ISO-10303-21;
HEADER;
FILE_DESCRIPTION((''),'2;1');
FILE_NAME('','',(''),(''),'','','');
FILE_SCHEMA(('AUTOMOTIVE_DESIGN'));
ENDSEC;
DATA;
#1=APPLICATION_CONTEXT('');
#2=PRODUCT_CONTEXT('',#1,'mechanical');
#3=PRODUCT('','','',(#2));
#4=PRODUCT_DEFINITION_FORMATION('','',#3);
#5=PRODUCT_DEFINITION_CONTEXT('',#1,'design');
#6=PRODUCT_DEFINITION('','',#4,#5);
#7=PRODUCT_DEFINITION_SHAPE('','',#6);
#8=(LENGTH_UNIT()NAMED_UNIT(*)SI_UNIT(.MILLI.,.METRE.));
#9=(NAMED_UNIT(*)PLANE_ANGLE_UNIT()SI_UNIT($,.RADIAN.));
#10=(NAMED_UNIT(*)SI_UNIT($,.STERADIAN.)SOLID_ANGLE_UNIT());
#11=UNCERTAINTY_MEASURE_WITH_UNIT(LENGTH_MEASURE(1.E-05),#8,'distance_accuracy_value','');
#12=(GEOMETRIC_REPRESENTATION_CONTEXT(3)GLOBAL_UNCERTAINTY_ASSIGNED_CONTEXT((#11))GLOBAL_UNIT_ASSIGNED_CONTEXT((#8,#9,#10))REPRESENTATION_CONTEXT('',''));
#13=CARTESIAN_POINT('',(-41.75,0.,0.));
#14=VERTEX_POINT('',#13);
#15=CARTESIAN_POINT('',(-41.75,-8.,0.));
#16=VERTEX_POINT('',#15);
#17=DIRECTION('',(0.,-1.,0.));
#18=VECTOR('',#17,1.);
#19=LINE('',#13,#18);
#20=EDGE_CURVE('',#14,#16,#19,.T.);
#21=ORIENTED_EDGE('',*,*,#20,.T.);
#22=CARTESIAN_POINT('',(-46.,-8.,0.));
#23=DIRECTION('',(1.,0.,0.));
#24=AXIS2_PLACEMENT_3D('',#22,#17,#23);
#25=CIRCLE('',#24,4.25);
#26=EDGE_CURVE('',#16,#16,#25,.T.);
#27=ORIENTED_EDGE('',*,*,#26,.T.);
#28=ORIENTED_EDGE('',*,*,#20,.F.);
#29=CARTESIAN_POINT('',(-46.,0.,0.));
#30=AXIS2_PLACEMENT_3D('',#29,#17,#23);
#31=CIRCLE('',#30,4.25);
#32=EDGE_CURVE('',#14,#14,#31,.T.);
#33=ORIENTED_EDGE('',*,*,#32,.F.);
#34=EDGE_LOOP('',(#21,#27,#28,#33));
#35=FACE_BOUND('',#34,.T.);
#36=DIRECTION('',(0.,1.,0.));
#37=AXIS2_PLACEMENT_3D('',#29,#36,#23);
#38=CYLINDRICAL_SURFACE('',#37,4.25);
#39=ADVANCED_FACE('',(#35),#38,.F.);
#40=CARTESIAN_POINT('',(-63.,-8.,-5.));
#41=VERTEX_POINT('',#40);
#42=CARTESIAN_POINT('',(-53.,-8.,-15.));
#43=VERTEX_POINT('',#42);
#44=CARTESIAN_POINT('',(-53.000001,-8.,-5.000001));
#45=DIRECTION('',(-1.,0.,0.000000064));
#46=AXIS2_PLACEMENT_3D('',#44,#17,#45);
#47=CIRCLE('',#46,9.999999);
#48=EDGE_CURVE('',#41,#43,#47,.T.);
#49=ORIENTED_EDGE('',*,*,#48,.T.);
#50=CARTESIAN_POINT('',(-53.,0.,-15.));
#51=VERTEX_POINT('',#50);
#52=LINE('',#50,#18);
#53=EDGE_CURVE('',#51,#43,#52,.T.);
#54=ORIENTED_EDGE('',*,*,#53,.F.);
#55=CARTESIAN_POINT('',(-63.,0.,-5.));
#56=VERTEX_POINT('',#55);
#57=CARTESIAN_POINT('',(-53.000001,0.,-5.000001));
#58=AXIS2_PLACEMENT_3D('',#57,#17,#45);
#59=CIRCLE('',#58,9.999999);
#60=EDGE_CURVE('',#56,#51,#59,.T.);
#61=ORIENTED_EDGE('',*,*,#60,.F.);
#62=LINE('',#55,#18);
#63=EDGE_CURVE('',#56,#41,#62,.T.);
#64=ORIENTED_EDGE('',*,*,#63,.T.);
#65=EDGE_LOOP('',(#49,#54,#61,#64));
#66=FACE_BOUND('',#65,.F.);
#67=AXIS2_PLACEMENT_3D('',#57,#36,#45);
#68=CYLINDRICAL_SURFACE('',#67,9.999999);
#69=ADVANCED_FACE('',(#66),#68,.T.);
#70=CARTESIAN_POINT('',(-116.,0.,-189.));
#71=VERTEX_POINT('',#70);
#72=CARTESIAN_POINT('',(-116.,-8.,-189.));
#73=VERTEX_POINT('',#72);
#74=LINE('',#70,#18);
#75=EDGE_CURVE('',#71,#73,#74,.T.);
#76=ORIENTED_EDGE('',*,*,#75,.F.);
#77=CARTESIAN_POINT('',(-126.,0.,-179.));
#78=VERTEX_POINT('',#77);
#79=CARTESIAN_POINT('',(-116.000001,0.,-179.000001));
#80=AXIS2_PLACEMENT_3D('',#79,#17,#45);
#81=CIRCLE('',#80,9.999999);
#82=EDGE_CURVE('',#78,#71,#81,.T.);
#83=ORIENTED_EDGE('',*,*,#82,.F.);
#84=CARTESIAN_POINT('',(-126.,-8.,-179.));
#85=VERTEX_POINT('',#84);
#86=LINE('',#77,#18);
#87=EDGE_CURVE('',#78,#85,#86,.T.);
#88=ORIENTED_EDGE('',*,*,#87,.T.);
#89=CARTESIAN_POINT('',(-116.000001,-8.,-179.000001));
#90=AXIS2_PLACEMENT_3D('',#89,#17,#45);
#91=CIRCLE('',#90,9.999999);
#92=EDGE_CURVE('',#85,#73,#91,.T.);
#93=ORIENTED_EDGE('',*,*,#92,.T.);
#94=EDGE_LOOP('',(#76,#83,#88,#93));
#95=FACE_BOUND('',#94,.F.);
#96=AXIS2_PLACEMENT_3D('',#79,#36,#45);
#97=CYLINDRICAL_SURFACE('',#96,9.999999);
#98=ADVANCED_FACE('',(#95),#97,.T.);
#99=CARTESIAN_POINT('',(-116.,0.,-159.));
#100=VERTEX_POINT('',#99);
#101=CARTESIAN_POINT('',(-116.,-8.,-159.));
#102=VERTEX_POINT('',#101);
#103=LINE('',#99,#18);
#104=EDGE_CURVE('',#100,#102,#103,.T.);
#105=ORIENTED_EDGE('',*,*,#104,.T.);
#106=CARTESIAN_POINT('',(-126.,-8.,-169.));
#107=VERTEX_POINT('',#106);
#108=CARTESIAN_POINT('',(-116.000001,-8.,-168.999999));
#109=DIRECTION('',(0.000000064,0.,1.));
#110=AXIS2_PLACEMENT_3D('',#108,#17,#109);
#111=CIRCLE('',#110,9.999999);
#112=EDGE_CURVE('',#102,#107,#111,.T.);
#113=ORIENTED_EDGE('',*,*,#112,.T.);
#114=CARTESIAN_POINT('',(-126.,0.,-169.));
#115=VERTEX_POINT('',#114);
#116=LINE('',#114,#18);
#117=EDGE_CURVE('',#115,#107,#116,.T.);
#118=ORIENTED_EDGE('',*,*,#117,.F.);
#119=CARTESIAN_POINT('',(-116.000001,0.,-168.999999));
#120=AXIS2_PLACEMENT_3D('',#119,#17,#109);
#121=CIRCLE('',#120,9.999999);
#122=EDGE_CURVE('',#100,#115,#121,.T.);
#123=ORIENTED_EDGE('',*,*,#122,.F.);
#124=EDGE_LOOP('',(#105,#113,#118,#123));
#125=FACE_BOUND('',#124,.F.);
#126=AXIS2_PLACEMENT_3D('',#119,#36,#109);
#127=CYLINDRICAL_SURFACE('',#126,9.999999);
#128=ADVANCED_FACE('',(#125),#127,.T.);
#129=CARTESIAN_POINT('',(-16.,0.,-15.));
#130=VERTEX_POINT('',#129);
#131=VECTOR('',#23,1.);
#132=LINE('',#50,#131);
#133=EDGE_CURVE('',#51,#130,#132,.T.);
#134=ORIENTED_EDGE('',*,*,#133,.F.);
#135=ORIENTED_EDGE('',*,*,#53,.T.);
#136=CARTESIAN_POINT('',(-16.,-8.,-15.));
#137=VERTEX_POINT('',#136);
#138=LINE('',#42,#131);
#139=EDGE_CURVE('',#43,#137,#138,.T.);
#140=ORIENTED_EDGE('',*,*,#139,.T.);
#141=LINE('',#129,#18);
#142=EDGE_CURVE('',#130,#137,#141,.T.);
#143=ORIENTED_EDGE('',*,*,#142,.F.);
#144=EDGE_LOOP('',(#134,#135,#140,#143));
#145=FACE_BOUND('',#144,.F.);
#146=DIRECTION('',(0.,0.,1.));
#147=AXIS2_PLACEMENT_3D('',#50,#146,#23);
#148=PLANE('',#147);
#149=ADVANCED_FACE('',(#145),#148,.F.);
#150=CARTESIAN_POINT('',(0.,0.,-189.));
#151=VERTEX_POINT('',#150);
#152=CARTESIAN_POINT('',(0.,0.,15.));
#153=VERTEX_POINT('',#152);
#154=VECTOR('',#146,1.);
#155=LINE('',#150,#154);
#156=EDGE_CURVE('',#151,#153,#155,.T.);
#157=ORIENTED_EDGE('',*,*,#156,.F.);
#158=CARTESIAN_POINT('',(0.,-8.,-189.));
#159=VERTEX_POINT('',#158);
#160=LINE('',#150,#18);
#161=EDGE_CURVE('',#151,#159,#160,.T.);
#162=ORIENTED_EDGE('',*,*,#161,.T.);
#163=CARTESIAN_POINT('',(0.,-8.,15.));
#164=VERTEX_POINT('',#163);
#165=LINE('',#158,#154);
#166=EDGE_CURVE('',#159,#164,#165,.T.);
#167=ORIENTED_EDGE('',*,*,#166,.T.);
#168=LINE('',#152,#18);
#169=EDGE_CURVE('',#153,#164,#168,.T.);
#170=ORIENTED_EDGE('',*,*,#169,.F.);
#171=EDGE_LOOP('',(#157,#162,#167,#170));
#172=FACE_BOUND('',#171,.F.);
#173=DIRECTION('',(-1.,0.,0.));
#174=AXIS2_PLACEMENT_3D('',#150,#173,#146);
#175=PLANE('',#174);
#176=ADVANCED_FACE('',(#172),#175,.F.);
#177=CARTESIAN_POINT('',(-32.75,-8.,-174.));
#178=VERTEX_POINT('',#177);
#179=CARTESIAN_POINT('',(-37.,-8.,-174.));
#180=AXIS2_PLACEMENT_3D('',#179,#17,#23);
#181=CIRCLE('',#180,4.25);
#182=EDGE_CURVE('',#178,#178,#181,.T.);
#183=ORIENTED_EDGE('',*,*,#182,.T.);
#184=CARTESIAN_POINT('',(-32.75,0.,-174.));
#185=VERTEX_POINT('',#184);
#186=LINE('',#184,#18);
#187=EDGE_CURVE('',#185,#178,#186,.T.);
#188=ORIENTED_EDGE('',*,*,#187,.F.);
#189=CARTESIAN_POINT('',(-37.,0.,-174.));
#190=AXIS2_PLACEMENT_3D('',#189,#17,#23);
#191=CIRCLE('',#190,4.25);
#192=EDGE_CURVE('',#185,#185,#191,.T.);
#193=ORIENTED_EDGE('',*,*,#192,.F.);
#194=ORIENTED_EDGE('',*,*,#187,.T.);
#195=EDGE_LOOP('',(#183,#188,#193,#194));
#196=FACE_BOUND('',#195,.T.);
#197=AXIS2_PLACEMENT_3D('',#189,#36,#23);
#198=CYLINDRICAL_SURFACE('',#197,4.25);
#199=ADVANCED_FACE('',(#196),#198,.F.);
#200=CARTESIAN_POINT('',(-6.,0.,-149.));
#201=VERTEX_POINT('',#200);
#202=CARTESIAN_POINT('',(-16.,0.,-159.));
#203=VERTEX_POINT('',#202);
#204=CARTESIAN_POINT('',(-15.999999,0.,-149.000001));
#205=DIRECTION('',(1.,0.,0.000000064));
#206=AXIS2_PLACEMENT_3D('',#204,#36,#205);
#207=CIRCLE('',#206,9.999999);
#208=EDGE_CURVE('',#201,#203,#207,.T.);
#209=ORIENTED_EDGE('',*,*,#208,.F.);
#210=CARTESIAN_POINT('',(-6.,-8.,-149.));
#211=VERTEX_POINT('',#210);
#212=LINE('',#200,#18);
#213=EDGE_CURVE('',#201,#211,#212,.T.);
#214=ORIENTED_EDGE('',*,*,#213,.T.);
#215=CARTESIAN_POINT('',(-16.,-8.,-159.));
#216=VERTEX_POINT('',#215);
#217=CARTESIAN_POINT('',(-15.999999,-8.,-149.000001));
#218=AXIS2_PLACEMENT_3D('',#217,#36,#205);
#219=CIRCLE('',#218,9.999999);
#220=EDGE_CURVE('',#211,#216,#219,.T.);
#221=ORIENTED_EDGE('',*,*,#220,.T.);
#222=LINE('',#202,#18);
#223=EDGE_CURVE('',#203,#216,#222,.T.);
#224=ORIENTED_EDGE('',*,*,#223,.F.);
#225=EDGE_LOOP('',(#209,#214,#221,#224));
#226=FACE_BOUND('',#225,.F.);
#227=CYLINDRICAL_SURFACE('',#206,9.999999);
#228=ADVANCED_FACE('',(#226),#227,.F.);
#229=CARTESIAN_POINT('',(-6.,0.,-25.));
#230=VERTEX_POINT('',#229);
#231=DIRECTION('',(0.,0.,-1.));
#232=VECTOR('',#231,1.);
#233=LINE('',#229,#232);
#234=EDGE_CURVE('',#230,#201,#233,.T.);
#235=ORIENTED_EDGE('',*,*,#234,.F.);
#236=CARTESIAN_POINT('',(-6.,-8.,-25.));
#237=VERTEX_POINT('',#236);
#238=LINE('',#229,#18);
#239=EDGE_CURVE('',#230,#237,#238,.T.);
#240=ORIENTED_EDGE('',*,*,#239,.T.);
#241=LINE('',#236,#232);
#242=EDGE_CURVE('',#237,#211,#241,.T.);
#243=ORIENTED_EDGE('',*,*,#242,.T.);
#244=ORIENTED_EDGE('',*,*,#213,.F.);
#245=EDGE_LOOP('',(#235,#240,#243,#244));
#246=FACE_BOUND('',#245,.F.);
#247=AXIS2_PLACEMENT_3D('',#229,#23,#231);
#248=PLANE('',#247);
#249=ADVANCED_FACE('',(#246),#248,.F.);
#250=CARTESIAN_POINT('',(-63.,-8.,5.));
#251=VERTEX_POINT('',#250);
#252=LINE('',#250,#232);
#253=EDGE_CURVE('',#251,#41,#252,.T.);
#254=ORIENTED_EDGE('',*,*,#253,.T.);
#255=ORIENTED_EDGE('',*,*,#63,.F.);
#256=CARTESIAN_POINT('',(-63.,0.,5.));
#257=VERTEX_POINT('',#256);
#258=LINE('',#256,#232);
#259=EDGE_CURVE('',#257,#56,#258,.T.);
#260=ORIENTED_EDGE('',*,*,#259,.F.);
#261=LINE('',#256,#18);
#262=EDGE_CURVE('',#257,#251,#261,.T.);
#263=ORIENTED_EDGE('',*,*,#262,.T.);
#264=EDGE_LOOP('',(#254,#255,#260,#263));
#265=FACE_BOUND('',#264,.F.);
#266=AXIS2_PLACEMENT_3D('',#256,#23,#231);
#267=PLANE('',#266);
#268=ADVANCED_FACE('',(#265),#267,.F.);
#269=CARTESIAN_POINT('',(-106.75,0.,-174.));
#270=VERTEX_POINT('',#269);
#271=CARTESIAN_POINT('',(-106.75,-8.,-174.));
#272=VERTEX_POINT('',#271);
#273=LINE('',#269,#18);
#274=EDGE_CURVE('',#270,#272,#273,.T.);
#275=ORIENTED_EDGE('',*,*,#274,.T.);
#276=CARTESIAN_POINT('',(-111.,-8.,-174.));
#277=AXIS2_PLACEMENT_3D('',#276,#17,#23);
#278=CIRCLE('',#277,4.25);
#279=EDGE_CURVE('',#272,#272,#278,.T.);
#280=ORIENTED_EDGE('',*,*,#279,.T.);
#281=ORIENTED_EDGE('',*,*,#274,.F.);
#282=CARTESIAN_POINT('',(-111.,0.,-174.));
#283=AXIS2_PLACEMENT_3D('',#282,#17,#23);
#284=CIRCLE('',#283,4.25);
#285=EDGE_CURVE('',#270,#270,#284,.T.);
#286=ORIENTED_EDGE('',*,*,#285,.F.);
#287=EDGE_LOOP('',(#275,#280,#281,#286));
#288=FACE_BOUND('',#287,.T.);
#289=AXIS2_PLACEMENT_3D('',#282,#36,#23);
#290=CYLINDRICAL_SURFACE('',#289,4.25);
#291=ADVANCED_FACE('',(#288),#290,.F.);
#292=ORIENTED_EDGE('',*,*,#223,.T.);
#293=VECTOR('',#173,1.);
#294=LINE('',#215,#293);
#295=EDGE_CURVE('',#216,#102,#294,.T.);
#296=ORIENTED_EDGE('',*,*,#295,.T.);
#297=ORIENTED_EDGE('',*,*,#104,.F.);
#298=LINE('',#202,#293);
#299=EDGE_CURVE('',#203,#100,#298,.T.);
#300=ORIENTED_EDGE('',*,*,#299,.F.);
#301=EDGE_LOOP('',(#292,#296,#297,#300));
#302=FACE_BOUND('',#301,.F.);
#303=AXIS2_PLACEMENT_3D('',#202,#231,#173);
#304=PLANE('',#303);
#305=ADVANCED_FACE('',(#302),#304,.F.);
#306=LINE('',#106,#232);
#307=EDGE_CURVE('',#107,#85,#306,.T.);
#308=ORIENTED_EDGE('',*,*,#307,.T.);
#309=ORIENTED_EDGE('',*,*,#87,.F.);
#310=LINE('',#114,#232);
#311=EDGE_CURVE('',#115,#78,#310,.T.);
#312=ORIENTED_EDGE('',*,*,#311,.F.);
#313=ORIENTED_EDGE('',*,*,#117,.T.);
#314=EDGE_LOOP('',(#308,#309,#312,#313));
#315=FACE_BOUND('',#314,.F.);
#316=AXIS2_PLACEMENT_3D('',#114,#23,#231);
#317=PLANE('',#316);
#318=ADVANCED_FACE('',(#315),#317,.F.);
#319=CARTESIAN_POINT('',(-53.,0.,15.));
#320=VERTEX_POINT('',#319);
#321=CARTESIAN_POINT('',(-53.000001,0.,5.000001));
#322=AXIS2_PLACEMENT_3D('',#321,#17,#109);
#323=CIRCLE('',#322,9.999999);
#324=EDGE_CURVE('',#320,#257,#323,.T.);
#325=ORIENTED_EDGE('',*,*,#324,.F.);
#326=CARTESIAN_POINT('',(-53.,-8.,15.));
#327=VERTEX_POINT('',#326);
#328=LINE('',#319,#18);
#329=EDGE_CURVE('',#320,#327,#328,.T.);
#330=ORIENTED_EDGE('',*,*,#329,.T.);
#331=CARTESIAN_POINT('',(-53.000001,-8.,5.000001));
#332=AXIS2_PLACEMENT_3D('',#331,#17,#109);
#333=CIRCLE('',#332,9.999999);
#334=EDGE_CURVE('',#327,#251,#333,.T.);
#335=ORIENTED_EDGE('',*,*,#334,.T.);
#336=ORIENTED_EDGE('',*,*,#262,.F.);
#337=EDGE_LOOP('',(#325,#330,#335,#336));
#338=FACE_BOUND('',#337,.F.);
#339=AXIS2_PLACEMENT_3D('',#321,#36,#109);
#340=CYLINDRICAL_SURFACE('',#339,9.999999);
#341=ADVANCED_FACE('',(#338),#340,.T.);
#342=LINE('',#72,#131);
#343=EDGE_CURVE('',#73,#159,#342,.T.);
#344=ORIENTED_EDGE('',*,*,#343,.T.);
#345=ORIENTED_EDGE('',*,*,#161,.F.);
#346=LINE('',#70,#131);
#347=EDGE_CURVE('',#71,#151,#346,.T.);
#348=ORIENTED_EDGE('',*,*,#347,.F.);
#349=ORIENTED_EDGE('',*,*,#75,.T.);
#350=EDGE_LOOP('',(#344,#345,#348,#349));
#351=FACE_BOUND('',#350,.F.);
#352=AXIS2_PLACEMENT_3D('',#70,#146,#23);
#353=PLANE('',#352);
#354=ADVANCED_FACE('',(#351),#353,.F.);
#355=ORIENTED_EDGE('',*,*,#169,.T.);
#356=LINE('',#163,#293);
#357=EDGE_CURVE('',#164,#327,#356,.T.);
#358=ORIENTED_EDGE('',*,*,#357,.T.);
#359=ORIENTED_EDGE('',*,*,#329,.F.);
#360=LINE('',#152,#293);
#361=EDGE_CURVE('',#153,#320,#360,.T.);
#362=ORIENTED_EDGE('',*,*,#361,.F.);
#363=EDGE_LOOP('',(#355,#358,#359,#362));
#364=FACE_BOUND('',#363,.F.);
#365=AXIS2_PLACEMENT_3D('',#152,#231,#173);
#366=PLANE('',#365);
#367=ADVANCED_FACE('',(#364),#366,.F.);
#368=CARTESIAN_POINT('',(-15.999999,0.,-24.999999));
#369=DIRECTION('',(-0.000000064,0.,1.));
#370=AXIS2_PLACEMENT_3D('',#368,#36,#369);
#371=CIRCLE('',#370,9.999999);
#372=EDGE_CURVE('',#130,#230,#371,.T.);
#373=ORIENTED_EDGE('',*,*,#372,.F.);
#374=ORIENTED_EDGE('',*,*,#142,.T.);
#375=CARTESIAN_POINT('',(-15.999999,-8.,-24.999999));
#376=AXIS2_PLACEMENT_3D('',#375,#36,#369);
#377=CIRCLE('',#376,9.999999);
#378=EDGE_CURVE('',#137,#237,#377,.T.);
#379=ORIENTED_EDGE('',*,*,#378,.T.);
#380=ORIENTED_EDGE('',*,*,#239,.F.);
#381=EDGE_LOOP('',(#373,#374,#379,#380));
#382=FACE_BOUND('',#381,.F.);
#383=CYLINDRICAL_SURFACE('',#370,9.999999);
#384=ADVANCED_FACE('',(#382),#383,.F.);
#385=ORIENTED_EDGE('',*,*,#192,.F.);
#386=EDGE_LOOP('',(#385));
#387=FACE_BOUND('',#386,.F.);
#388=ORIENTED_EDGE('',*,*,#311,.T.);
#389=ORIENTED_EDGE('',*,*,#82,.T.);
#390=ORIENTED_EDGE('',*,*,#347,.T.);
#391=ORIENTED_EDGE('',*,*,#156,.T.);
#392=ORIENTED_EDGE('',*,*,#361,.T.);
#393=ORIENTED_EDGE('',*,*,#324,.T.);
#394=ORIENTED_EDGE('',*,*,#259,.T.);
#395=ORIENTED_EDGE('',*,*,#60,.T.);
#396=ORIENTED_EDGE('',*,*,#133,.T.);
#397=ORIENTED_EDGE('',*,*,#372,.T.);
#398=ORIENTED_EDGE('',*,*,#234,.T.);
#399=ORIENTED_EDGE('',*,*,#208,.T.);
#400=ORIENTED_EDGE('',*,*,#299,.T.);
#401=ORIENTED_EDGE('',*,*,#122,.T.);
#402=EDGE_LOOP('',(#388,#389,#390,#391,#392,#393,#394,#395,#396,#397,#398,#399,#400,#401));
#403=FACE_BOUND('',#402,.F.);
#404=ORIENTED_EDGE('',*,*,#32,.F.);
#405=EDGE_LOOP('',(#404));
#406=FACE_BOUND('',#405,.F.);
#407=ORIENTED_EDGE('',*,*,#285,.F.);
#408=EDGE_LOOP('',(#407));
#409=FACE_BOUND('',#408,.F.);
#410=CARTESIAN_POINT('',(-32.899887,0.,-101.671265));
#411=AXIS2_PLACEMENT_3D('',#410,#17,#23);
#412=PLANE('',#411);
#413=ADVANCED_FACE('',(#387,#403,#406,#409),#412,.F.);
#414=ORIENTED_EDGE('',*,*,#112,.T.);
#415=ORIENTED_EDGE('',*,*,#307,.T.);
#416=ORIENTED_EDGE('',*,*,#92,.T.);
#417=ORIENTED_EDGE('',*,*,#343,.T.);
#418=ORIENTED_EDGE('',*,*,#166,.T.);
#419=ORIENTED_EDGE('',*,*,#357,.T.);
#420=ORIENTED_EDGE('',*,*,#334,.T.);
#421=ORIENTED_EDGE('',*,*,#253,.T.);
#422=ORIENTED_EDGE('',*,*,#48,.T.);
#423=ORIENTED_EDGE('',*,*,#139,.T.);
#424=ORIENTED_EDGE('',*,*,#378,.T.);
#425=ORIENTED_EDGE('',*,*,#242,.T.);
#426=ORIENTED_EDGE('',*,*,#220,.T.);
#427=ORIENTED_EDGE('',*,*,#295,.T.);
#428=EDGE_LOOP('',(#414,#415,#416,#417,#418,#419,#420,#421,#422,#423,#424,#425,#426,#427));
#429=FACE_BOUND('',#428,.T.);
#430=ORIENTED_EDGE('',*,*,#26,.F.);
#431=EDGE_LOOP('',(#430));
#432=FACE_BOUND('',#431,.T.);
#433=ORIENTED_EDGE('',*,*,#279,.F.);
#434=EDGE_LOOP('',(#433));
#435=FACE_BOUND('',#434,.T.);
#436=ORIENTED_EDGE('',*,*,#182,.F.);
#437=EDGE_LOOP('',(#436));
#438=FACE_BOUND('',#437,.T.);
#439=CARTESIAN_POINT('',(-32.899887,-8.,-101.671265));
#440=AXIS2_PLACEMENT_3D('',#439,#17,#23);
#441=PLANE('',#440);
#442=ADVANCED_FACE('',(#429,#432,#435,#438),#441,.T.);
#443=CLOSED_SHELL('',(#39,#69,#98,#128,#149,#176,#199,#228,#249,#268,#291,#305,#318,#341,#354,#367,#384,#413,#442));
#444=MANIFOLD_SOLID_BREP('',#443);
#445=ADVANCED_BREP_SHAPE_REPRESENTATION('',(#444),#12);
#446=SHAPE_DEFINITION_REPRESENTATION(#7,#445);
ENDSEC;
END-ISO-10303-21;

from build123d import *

# Parameters (mm, degrees)
F0_R     = 4.25
F1_DEPTH = 8


with BuildPart() as f1:
    # F0 (on Front) → F1 (new body)
    with BuildSketch(Plane.XZ):
        with BuildLine():
            Line((0, -183.0111), (0, 0))
            Line((0, 0), (0, 15))
            Line((0, 15), (-53, 15))
            ThreePointArc((-53, 15), (-60.071068, 12.071068), (-63, 5))
            Line((-63, 5), (-63, -5))
            ThreePointArc((-63, -5), (-60.071068, -12.071068), (-53, -15))
            Line((-53, -15), (-16, -15))
            ThreePointArc((-16, -15), (-8.928932, -17.928932), (-6, -25))
            Line((-6, -25), (-6, -149))
            ThreePointArc((-6, -149), (-8.928932, -156.071068), (-16, -159))
            Line((-16, -159), (-22.579605, -159))
            Line((-22.579605, -159), (-116, -159))
            ThreePointArc((-116, -159), (-123.071068, -161.928932), (-126, -169))
            Line((-126, -169), (-126, -179))
            ThreePointArc((-126, -179), (-123.071068, -186.071068), (-116, -189))
            Line((-116, -189), (0, -189))
            Line((0, -189), (0, -183.0111))
        make_face()
        with Locations((-111, -174)):
            Circle(F0_R, mode=Mode.SUBTRACT)
        with Locations((-37, -174)):
            Circle(F0_R, mode=Mode.SUBTRACT)
        with Locations((-46, 0)):
            Circle(F0_R, mode=Mode.SUBTRACT)
    extrude(amount=F1_DEPTH)


solid = f1.part
